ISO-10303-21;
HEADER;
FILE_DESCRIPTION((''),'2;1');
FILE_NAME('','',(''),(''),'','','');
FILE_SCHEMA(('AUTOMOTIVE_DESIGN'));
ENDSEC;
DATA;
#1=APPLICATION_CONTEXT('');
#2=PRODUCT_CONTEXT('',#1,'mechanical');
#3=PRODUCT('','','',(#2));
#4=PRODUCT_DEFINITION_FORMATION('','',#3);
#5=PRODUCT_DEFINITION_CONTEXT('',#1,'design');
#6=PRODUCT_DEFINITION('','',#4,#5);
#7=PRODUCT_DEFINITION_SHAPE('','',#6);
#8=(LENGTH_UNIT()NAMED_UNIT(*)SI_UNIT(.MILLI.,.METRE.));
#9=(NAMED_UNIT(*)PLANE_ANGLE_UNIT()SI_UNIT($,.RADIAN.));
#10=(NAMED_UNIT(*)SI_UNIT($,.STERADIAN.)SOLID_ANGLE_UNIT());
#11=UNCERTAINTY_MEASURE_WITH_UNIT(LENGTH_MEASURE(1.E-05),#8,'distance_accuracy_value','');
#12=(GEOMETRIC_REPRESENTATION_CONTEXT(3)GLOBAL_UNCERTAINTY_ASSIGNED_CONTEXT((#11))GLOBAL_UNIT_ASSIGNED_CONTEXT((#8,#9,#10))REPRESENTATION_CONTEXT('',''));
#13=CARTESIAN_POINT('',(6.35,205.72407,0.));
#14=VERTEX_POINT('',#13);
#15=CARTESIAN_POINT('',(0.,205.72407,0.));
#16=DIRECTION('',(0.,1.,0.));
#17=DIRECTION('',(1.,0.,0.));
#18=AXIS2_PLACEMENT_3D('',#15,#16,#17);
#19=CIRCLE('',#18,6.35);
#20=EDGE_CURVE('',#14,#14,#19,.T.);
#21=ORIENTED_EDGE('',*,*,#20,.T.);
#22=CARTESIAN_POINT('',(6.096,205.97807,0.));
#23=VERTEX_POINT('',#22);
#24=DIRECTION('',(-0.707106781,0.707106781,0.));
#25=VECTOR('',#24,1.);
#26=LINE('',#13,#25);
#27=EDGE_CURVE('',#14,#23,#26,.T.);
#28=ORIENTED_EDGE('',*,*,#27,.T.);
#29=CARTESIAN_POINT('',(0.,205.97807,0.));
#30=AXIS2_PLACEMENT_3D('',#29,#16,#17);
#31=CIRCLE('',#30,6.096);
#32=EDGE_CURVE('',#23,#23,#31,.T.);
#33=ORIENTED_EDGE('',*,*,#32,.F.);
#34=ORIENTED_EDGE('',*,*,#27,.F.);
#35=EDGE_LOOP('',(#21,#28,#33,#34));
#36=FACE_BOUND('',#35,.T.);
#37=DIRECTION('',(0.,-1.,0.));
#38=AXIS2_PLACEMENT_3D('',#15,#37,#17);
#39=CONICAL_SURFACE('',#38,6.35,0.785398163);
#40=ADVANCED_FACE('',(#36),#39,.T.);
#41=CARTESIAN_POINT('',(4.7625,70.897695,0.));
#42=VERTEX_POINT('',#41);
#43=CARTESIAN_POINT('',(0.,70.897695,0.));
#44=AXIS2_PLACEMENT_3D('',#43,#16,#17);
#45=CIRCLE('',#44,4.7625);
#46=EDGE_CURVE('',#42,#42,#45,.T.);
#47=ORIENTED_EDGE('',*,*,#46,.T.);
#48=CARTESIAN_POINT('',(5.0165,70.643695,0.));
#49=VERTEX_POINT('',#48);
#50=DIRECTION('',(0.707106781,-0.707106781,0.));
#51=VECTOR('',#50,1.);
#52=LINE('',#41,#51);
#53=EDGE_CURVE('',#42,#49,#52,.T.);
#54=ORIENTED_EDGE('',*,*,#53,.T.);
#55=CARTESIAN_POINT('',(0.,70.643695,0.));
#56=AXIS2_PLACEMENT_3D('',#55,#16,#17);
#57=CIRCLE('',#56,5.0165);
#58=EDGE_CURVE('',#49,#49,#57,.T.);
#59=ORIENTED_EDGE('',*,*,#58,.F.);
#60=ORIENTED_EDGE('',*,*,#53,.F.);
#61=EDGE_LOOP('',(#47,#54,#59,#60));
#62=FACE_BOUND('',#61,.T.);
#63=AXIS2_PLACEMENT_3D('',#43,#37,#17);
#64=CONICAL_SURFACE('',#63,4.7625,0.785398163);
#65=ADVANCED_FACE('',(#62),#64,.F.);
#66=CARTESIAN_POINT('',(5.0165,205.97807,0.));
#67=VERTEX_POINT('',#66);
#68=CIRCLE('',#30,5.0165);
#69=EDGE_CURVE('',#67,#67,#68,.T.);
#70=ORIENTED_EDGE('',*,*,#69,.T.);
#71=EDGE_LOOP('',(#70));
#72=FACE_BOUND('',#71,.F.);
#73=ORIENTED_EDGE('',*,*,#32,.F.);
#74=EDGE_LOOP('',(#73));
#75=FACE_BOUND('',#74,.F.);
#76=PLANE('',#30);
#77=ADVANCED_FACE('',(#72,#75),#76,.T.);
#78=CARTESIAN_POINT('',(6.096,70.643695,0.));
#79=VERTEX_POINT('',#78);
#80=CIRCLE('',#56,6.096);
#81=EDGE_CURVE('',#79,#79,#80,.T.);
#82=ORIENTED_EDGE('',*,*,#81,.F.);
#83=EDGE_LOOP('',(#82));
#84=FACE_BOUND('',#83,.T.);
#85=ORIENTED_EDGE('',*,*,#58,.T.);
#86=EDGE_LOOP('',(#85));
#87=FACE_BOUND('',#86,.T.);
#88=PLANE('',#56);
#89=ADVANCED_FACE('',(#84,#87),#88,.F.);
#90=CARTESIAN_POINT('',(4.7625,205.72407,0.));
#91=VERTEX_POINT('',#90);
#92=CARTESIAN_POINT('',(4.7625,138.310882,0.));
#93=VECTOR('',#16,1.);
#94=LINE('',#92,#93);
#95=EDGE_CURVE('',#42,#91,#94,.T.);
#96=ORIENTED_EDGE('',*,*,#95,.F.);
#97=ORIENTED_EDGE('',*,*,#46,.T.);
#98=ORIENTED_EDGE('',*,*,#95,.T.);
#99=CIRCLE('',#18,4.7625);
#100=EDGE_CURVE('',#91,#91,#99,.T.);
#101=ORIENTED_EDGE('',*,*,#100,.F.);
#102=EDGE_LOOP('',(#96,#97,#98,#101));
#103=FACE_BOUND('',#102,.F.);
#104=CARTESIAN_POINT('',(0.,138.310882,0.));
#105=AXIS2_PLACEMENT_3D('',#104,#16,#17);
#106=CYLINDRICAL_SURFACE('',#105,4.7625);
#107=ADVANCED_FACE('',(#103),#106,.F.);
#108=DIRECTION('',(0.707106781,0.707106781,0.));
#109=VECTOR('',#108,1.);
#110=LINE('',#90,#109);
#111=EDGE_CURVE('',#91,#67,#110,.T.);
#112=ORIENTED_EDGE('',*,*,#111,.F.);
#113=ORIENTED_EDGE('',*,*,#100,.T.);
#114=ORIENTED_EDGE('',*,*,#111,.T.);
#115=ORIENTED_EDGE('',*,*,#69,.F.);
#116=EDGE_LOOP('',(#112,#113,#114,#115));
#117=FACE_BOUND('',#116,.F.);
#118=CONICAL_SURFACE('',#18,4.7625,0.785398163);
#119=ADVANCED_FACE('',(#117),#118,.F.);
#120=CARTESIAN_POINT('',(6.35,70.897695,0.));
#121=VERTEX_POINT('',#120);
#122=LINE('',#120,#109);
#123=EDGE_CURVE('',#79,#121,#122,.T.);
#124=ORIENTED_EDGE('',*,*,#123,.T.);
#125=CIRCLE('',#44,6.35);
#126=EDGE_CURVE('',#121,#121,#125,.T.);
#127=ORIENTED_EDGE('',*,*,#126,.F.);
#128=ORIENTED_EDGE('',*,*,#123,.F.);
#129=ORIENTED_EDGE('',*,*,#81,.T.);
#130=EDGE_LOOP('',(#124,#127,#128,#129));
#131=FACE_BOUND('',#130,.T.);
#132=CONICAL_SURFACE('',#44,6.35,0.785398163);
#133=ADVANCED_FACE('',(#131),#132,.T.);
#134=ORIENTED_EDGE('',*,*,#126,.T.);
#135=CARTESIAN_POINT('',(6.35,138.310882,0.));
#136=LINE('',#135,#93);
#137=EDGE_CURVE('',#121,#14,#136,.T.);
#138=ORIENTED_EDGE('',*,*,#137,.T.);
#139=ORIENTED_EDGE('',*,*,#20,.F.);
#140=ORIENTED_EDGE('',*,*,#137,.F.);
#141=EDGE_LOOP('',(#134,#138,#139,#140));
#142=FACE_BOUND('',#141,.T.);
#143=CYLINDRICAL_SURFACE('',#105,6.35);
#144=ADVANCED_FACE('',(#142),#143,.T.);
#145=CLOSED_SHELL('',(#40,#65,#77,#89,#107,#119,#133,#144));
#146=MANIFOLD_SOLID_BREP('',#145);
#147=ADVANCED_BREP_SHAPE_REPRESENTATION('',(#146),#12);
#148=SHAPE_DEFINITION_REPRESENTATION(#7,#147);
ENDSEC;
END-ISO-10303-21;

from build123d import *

# Parameters (mm, degrees)
SKETCH1_W     = 1.5875
SKETCH1_H     = 135.334375
CHAMFER1_SIZE = 0.254


with BuildPart() as part:
    # Sketch1 → Revolve1 (revolve)
    with BuildSketch(Plane.XY):
        with Locations((5.55625, 138.310882465)):
            Rectangle(SKETCH1_W, SKETCH1_H)
    revolve(axis=Axis((0, 61.118694965, 0), (0, 1, 0)))

    # Chamfer1
    chamfer1_edges = [part.edges().sort_by_distance(p)[0] for p in [
        (-6.35, 70.643694965, 0),
        (-6.35, 205.978069965, 0),
        (-4.7625, 205.978069965, 0),
        (-4.7625, 70.643694965, 0),
    ]]
    chamfer(chamfer1_edges, length=CHAMFER1_SIZE)


solid = part.part
